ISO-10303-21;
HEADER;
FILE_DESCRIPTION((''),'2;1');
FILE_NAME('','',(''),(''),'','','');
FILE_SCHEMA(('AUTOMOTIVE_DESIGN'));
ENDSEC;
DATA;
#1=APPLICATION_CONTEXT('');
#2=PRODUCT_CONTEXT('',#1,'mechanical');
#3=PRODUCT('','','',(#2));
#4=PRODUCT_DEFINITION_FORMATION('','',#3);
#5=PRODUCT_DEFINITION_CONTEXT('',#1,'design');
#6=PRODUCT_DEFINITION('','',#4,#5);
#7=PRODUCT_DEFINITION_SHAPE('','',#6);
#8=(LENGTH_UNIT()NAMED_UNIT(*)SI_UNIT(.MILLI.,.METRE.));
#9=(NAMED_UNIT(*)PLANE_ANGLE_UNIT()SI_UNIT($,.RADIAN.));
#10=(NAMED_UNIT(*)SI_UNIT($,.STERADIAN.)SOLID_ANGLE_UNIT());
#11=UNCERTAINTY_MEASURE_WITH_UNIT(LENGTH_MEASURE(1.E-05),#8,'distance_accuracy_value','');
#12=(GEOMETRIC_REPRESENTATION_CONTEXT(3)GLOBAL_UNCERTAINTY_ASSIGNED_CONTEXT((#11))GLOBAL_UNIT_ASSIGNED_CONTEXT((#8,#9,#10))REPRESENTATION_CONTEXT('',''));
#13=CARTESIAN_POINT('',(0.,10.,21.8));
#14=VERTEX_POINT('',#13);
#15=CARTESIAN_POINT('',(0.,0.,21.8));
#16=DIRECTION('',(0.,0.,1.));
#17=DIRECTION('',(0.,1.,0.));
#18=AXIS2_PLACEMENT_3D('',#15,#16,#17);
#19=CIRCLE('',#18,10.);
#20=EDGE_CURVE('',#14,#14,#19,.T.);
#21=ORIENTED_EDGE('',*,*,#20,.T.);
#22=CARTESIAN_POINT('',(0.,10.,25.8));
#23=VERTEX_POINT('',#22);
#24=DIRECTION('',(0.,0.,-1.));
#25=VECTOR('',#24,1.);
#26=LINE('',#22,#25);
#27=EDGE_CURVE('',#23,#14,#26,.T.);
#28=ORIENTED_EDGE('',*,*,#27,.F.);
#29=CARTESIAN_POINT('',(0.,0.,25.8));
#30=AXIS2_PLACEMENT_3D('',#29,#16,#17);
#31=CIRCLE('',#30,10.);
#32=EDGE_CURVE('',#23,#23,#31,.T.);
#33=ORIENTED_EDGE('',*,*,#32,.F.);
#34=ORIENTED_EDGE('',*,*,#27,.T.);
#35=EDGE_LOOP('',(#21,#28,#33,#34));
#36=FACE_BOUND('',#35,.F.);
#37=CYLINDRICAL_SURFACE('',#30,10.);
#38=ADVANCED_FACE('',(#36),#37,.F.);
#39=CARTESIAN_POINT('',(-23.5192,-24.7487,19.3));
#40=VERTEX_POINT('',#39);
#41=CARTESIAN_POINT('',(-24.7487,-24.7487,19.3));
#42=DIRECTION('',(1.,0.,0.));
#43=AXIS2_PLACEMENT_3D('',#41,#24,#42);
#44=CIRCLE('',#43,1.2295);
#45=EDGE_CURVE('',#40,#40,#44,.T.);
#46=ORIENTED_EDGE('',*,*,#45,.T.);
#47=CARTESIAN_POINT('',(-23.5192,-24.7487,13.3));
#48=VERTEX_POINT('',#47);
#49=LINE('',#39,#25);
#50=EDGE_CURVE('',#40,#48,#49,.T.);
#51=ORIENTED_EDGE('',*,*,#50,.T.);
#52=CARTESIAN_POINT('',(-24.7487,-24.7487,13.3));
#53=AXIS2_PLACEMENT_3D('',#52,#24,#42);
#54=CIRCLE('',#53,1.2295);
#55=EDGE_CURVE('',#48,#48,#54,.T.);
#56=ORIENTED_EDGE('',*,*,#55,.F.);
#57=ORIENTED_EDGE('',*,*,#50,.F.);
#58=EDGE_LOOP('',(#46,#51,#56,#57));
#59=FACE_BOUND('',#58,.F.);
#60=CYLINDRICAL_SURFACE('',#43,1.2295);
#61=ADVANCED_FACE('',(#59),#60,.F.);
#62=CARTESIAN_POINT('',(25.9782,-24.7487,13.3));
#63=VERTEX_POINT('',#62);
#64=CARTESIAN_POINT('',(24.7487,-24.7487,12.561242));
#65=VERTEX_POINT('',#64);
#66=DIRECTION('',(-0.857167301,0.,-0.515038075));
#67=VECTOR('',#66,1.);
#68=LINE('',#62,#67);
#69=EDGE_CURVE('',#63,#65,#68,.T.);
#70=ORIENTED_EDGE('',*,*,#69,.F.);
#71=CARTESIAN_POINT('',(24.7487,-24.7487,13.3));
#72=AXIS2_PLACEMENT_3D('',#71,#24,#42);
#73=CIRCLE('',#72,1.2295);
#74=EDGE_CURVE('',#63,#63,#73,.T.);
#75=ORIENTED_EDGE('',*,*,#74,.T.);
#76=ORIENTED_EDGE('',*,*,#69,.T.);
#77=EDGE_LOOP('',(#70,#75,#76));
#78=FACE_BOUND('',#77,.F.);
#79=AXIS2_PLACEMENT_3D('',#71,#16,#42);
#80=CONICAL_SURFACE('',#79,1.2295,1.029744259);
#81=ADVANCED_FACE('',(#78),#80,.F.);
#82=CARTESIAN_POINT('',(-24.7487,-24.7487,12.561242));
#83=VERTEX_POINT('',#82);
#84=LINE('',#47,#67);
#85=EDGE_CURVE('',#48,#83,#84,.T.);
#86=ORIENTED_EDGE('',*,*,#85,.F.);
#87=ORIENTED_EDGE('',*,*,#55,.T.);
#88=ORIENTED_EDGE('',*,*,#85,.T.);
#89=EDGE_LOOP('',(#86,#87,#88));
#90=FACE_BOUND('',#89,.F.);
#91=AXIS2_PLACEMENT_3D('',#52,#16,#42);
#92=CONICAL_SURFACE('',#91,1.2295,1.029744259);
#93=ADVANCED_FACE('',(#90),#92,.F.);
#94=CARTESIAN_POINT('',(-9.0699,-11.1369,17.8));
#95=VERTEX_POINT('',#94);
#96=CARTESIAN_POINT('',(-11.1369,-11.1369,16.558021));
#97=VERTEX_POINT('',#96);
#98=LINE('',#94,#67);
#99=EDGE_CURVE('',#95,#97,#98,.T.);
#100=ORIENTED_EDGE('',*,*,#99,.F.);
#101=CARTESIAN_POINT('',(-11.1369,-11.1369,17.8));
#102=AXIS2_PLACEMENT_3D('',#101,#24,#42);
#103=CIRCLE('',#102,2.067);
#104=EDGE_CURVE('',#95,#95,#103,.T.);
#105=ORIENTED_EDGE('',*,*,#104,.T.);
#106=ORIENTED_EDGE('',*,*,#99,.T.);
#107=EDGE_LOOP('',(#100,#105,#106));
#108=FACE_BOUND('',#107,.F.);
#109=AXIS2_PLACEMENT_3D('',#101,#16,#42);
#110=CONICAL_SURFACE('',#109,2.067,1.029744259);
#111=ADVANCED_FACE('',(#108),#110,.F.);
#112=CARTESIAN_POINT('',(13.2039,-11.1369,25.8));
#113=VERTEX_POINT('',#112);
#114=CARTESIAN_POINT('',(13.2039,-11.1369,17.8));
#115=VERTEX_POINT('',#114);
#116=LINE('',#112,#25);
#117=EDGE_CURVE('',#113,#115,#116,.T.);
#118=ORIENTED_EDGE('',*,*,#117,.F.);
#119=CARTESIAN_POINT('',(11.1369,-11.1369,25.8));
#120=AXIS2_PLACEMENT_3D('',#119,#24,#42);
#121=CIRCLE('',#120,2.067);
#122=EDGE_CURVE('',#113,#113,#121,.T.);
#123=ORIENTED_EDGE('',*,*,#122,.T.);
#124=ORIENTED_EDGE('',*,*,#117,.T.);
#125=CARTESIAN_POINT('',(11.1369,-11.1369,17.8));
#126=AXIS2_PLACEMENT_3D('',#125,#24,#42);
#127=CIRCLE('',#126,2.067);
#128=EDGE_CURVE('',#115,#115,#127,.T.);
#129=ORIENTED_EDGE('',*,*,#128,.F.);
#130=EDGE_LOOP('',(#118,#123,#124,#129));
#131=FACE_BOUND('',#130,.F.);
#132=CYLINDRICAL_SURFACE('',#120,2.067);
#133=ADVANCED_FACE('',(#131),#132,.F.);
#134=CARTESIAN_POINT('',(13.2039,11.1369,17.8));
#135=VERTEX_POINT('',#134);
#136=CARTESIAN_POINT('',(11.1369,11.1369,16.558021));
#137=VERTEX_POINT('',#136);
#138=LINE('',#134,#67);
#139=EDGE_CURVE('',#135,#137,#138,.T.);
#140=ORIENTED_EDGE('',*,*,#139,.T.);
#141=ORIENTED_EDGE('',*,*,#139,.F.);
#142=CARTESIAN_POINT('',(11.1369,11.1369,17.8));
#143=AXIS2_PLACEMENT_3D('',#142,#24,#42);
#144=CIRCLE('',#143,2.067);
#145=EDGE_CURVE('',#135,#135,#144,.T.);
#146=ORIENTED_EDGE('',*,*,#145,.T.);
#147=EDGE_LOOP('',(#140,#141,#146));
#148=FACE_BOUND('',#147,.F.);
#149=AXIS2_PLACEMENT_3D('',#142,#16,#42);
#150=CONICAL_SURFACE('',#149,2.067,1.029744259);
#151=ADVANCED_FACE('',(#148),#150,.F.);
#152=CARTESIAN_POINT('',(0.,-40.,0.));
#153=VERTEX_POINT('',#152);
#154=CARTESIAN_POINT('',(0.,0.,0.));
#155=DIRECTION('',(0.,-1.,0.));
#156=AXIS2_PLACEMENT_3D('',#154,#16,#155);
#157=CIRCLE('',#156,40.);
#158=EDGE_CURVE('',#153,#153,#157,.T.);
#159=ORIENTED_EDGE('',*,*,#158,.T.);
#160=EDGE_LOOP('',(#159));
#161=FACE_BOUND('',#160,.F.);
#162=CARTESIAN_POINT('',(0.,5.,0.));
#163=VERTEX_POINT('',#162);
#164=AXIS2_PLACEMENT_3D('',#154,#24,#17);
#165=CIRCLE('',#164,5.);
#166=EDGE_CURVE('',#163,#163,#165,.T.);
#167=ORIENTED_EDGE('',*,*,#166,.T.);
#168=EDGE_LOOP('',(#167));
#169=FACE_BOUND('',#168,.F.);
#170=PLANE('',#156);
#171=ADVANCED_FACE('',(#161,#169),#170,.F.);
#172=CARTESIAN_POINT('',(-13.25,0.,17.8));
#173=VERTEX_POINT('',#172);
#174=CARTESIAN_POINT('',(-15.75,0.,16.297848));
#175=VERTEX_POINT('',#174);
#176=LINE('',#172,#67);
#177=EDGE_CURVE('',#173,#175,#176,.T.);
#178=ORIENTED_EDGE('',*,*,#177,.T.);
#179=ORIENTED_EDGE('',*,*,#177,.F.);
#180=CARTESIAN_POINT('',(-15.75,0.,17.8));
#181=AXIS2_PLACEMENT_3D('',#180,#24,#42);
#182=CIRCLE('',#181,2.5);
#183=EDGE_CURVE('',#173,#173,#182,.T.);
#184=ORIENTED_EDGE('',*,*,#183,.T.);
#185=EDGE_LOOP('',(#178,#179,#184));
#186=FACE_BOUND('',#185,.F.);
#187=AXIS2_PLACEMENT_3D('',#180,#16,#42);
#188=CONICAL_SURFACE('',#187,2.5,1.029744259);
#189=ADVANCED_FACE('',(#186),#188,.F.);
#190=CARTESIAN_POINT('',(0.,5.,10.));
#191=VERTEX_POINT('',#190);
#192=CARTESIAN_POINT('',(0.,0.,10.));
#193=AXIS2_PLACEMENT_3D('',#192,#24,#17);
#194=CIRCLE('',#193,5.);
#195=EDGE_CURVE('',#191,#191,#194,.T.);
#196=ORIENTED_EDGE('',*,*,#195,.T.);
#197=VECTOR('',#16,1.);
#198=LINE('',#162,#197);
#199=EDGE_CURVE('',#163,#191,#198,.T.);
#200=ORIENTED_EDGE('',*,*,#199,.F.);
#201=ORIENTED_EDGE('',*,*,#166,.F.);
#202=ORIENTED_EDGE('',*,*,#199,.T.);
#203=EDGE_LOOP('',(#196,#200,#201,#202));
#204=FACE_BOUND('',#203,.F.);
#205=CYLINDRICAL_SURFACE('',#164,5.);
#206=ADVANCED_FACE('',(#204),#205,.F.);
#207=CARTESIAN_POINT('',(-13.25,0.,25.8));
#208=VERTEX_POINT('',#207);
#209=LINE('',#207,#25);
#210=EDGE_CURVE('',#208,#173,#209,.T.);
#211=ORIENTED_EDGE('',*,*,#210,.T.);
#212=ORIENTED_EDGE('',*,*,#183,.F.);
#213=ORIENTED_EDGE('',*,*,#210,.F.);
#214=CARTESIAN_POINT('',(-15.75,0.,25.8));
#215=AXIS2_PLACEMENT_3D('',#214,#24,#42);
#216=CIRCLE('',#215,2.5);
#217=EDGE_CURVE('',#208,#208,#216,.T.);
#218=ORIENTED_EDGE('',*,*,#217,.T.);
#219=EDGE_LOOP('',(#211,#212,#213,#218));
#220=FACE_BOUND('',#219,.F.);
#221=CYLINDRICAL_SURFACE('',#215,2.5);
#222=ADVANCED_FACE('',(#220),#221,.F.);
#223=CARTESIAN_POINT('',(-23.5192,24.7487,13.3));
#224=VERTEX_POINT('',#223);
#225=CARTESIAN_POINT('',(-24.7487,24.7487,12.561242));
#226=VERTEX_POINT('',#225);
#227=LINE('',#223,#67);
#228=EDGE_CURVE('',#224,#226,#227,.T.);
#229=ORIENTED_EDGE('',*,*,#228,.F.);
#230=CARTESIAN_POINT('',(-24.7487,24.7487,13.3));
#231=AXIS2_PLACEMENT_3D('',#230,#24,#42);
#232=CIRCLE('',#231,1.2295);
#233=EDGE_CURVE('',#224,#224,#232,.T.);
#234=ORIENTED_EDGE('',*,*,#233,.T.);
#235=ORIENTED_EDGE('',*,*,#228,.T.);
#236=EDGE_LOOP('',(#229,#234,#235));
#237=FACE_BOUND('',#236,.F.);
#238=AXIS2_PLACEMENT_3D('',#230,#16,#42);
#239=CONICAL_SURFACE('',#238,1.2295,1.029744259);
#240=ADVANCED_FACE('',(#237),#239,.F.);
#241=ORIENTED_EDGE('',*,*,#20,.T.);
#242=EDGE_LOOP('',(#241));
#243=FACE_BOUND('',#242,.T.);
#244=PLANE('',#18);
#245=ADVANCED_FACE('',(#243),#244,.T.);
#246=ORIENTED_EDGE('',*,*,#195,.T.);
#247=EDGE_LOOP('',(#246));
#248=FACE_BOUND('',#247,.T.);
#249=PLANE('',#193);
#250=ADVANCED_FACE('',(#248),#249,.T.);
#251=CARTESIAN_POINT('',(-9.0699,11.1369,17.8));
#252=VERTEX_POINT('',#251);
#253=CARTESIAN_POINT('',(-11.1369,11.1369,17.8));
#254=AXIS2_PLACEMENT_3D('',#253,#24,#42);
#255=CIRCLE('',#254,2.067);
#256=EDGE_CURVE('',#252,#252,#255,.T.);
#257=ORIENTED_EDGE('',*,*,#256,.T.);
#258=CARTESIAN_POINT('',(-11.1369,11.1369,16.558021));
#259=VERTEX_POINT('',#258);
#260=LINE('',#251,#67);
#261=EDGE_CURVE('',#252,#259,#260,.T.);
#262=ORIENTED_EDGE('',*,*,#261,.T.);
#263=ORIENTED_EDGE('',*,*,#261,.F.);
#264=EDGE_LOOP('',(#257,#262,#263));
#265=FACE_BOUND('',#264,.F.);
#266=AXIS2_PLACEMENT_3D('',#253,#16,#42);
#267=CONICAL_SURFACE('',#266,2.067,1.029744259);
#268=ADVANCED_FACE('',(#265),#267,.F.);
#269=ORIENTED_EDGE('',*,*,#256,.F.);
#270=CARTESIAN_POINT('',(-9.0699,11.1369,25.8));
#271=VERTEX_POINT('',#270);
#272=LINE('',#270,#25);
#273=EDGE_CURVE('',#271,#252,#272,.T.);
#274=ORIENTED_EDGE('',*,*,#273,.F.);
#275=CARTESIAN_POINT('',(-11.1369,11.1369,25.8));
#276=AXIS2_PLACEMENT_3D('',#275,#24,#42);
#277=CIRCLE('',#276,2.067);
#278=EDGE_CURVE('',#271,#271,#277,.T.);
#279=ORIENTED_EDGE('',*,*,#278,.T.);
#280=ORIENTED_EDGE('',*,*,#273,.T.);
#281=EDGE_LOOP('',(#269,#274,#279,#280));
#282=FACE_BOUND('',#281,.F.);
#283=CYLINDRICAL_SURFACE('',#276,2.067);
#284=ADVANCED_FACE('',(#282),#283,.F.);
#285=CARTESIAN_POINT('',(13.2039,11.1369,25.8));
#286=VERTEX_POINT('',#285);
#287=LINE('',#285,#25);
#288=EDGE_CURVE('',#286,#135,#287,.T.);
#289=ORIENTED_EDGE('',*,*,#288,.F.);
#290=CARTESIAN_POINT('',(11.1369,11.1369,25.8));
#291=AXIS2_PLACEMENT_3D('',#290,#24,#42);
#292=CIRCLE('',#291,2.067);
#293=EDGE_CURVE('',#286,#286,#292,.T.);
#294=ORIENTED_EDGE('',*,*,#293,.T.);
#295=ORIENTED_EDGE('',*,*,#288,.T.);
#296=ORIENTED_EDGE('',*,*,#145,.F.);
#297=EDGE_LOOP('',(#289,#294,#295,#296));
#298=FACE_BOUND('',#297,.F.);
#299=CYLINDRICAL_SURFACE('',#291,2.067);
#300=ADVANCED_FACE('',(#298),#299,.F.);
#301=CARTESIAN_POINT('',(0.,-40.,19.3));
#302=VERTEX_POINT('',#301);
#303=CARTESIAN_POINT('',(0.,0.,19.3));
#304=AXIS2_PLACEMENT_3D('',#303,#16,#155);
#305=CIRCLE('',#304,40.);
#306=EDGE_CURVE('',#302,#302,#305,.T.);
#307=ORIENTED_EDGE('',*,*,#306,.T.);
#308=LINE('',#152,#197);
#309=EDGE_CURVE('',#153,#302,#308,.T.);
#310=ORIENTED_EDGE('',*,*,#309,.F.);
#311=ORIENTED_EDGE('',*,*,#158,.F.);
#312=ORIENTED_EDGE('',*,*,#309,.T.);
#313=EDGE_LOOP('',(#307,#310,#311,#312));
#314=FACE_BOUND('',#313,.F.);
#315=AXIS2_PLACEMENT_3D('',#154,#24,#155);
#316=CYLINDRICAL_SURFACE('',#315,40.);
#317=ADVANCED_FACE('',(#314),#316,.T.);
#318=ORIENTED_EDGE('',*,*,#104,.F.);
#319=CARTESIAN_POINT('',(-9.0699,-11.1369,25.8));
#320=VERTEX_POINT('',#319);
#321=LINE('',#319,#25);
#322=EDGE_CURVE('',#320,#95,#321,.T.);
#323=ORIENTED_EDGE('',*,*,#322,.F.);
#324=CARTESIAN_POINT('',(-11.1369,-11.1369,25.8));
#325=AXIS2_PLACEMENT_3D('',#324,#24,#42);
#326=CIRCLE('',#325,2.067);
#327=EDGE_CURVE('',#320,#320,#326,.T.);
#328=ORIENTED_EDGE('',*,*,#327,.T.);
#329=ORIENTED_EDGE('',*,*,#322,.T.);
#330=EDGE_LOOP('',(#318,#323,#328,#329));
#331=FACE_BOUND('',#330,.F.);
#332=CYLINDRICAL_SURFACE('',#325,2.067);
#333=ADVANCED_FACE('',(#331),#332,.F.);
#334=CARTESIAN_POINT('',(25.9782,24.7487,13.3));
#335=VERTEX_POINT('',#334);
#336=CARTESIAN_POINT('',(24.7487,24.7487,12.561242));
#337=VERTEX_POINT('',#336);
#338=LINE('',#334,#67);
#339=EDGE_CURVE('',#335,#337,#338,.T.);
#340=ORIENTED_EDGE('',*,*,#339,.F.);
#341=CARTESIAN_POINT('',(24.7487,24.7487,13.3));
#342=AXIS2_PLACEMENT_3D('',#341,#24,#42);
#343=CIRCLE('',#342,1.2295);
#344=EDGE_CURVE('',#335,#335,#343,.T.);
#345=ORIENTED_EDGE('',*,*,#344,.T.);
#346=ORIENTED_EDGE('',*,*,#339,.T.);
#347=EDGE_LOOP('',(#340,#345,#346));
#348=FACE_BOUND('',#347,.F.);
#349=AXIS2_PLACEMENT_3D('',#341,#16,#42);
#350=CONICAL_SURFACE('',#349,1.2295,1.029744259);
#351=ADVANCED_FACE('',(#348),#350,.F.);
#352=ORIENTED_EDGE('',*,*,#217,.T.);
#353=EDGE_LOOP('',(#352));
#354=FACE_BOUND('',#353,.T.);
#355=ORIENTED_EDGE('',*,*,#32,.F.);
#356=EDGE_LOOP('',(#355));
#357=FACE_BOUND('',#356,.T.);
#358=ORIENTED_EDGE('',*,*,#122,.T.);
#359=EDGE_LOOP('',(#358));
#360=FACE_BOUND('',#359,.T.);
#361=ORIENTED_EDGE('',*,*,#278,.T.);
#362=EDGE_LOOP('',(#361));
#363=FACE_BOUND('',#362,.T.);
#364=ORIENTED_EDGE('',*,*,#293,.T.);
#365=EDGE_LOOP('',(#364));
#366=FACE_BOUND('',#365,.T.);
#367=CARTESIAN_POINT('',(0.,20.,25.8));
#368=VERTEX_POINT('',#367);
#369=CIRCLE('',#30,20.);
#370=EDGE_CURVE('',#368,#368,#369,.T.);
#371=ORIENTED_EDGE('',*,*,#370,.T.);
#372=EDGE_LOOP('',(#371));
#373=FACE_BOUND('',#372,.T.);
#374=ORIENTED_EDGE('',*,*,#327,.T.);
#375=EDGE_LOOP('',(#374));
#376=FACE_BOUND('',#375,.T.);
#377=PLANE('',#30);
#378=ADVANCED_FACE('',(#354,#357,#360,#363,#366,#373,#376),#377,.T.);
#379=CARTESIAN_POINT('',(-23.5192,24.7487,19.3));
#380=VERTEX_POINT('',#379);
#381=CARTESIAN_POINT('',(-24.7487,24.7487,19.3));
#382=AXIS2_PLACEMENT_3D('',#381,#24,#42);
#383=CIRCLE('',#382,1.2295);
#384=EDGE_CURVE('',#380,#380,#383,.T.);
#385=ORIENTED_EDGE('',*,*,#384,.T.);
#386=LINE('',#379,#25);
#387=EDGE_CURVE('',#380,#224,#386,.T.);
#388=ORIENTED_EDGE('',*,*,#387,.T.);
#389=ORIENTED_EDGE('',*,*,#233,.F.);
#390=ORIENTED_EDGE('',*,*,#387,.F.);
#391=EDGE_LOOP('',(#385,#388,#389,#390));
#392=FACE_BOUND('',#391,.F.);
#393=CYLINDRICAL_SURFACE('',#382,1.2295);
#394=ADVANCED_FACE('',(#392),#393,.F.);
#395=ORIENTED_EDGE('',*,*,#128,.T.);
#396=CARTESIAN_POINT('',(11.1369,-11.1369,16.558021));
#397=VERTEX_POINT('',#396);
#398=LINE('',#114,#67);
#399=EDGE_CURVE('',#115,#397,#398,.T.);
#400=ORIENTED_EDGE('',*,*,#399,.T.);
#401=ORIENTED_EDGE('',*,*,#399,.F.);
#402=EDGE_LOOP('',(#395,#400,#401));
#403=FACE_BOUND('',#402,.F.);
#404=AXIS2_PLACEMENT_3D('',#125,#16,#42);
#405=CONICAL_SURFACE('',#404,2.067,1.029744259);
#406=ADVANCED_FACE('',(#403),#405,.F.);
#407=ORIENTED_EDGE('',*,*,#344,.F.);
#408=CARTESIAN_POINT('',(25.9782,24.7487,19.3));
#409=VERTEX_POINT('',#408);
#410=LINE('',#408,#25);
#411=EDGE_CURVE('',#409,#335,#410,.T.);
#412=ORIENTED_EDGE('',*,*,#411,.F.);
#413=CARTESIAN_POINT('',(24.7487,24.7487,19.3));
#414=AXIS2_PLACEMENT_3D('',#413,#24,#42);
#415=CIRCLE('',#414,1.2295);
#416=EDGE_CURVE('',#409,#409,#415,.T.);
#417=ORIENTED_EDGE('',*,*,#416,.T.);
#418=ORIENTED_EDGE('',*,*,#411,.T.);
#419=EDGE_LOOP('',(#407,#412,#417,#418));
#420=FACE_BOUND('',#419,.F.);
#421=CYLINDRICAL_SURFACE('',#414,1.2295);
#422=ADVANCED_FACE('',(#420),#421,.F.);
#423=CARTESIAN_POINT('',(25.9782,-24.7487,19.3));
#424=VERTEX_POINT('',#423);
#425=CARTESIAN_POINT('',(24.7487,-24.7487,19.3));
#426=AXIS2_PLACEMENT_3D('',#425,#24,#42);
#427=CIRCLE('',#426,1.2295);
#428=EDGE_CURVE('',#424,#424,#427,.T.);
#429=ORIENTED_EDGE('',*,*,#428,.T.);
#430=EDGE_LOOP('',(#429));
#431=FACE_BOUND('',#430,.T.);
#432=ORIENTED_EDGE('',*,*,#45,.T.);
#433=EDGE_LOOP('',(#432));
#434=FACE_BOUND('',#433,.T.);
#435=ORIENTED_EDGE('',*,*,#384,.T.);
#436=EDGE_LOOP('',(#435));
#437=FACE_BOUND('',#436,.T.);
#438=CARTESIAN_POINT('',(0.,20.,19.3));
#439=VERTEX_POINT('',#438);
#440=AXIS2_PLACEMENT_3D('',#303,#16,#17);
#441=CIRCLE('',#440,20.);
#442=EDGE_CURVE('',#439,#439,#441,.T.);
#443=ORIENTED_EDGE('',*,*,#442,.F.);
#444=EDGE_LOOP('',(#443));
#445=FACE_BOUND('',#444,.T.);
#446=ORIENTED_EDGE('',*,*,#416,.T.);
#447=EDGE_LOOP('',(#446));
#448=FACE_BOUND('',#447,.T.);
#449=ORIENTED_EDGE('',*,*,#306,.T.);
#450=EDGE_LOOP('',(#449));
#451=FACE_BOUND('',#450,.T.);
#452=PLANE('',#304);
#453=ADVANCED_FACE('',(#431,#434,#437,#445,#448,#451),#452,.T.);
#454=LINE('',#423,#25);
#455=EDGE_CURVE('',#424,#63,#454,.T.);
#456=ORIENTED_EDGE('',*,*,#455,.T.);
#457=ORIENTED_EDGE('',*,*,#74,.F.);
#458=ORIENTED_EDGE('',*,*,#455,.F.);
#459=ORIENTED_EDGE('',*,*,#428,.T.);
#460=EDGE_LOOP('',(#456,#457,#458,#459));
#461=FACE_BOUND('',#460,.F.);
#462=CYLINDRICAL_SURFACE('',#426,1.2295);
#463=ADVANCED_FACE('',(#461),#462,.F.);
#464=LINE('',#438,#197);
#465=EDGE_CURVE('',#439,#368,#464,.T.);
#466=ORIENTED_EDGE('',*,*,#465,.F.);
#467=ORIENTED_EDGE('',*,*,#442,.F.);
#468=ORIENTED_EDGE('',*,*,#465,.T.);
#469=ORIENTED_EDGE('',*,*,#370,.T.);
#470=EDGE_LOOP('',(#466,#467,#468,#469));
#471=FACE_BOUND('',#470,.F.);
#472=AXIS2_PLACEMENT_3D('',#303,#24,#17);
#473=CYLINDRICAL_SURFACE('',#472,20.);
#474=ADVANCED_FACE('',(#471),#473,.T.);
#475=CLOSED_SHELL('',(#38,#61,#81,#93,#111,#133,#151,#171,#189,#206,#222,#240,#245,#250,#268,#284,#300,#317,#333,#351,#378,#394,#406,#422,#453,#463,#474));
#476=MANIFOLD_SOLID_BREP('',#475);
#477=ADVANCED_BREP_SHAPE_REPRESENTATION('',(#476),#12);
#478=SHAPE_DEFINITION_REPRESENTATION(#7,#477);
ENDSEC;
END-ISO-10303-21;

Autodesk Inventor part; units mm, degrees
ref_plane "YZ Plane" through (0, 0, 0) normal (1, 0, 0) x (0, 1, 0)
ref_plane "XZ Plane" through (0, 0, 0) normal (0, 1, 0) x (-1, 0, 0)
ref_plane "XY Plane" through (0, 0, 0) normal (0, 0, 1) x (1, 0, 0)
sketch "スケッチ1" plane through (0, 0, 0) normal (0, 1, 0) x (-1, 0, 0)
  circle A0 centre (0, 0) radius 40
  dimension "d0" = 80
extrude "押し出し1" add sketch "スケッチ1" along normal blind 19.3
sketch "スケッチ3" plane through (0, 19.3, 0) normal (0, 1, 0) x (1, 0, 0)
  circle A0 centre (0, 0) radius 20
  dimension "d3" = 40
extrude "押し出し2" add sketch "スケッチ3" along normal blind 6.5
sketch "スケッチ4" plane through (0, 25.8, 0) normal (0, 1, 0) x (1, 0, 0)
  circle A0 centre (0, 0) radius 10
  dimension "d6" = 20
extrude "押し出し3" cut sketch "スケッチ4" against normal blind 4
sketch "スケッチ5" plane through (0, 19.3, 0) normal (0, 1, 0) x (1, 0, 0)
  point P0 (0, 0)
  point P1 (0, 0)
  point P2 (-24.7487, -24.7487)
  point P3 (24.7487, -24.7487)
  point P4 (24.7487, 24.7487)
  point P5 (-24.7487, 24.7487)
  dimension "d9" = 35
  dimension "d12" = 360
hole "穴1" at (-24.7487, 19.3, -24.7487) at (-24.7487, 19.3, 24.7487) at (24.7487, 19.3, 24.7487) at (24.7487, 19.3, -24.7487) direction (0, -1, 0) diameter 2.459 depth 6 tip angle 118 thread size "M3x0.5" class "6H" standard "ANSI Metric M Profile"
sketch "スケッチ6" plane through (0, 25.8, 0) normal (0, 1, 0) x (1, 0, 0)
  point P0 (0, 0)
  point P1 (-11.1369, -11.1369)
  point P2 (11.1369, -11.1369)
  point P3 (11.1369, 11.1369)
  point P4 (-11.1369, 11.1369)
  dimension "d21" = 15.75
  dimension "d24" = 360
hole "穴2" at (-11.1369, 25.8, 11.1369) at (11.1369, 25.8, 11.1369) at (11.1369, 25.8, -11.1369) at (-11.1369, 25.8, -11.1369) direction (0, -1, 0) diameter 4.134 depth 8 tip angle 118 thread size "M5x0.8" class "6H" standard "ANSI Metric M Profile"
sketch "スケッチ7" plane through (0, 25.8, 0) normal (0, 1, 0) x (1, 0, 0)
  point P0 (0, 0)
  point P1 (0, 15.75)
  dimension "d33" = 15.75
hole "穴3" at (0, 25.8, -15.75) direction (0, -1, 0) diameter 5 depth 8 tip angle 118
sketch "スケッチ8" plane through (0, 0, 0) normal (0, -1, 0) x (1, 0, 0)
  circle A0 centre (0, 0) radius 5
  dimension "d41" = 10
extrude "押し出し4" cut sketch "スケッチ8" against normal blind 10
move or copy body "ボディを移動2" bodies to move or copy 1 copy no rotation origin (0, 0, 0) rotation axis (1, 0, 0) rotation angle 90
move or copy body "ボディを移動3" bodies to move or copy 1 copy no rotation origin (0, 0, 0) rotation axis (0, 0, 1) rotation angle 90
properties part number "HandMountingFlange" material "PAEK 樹脂"
